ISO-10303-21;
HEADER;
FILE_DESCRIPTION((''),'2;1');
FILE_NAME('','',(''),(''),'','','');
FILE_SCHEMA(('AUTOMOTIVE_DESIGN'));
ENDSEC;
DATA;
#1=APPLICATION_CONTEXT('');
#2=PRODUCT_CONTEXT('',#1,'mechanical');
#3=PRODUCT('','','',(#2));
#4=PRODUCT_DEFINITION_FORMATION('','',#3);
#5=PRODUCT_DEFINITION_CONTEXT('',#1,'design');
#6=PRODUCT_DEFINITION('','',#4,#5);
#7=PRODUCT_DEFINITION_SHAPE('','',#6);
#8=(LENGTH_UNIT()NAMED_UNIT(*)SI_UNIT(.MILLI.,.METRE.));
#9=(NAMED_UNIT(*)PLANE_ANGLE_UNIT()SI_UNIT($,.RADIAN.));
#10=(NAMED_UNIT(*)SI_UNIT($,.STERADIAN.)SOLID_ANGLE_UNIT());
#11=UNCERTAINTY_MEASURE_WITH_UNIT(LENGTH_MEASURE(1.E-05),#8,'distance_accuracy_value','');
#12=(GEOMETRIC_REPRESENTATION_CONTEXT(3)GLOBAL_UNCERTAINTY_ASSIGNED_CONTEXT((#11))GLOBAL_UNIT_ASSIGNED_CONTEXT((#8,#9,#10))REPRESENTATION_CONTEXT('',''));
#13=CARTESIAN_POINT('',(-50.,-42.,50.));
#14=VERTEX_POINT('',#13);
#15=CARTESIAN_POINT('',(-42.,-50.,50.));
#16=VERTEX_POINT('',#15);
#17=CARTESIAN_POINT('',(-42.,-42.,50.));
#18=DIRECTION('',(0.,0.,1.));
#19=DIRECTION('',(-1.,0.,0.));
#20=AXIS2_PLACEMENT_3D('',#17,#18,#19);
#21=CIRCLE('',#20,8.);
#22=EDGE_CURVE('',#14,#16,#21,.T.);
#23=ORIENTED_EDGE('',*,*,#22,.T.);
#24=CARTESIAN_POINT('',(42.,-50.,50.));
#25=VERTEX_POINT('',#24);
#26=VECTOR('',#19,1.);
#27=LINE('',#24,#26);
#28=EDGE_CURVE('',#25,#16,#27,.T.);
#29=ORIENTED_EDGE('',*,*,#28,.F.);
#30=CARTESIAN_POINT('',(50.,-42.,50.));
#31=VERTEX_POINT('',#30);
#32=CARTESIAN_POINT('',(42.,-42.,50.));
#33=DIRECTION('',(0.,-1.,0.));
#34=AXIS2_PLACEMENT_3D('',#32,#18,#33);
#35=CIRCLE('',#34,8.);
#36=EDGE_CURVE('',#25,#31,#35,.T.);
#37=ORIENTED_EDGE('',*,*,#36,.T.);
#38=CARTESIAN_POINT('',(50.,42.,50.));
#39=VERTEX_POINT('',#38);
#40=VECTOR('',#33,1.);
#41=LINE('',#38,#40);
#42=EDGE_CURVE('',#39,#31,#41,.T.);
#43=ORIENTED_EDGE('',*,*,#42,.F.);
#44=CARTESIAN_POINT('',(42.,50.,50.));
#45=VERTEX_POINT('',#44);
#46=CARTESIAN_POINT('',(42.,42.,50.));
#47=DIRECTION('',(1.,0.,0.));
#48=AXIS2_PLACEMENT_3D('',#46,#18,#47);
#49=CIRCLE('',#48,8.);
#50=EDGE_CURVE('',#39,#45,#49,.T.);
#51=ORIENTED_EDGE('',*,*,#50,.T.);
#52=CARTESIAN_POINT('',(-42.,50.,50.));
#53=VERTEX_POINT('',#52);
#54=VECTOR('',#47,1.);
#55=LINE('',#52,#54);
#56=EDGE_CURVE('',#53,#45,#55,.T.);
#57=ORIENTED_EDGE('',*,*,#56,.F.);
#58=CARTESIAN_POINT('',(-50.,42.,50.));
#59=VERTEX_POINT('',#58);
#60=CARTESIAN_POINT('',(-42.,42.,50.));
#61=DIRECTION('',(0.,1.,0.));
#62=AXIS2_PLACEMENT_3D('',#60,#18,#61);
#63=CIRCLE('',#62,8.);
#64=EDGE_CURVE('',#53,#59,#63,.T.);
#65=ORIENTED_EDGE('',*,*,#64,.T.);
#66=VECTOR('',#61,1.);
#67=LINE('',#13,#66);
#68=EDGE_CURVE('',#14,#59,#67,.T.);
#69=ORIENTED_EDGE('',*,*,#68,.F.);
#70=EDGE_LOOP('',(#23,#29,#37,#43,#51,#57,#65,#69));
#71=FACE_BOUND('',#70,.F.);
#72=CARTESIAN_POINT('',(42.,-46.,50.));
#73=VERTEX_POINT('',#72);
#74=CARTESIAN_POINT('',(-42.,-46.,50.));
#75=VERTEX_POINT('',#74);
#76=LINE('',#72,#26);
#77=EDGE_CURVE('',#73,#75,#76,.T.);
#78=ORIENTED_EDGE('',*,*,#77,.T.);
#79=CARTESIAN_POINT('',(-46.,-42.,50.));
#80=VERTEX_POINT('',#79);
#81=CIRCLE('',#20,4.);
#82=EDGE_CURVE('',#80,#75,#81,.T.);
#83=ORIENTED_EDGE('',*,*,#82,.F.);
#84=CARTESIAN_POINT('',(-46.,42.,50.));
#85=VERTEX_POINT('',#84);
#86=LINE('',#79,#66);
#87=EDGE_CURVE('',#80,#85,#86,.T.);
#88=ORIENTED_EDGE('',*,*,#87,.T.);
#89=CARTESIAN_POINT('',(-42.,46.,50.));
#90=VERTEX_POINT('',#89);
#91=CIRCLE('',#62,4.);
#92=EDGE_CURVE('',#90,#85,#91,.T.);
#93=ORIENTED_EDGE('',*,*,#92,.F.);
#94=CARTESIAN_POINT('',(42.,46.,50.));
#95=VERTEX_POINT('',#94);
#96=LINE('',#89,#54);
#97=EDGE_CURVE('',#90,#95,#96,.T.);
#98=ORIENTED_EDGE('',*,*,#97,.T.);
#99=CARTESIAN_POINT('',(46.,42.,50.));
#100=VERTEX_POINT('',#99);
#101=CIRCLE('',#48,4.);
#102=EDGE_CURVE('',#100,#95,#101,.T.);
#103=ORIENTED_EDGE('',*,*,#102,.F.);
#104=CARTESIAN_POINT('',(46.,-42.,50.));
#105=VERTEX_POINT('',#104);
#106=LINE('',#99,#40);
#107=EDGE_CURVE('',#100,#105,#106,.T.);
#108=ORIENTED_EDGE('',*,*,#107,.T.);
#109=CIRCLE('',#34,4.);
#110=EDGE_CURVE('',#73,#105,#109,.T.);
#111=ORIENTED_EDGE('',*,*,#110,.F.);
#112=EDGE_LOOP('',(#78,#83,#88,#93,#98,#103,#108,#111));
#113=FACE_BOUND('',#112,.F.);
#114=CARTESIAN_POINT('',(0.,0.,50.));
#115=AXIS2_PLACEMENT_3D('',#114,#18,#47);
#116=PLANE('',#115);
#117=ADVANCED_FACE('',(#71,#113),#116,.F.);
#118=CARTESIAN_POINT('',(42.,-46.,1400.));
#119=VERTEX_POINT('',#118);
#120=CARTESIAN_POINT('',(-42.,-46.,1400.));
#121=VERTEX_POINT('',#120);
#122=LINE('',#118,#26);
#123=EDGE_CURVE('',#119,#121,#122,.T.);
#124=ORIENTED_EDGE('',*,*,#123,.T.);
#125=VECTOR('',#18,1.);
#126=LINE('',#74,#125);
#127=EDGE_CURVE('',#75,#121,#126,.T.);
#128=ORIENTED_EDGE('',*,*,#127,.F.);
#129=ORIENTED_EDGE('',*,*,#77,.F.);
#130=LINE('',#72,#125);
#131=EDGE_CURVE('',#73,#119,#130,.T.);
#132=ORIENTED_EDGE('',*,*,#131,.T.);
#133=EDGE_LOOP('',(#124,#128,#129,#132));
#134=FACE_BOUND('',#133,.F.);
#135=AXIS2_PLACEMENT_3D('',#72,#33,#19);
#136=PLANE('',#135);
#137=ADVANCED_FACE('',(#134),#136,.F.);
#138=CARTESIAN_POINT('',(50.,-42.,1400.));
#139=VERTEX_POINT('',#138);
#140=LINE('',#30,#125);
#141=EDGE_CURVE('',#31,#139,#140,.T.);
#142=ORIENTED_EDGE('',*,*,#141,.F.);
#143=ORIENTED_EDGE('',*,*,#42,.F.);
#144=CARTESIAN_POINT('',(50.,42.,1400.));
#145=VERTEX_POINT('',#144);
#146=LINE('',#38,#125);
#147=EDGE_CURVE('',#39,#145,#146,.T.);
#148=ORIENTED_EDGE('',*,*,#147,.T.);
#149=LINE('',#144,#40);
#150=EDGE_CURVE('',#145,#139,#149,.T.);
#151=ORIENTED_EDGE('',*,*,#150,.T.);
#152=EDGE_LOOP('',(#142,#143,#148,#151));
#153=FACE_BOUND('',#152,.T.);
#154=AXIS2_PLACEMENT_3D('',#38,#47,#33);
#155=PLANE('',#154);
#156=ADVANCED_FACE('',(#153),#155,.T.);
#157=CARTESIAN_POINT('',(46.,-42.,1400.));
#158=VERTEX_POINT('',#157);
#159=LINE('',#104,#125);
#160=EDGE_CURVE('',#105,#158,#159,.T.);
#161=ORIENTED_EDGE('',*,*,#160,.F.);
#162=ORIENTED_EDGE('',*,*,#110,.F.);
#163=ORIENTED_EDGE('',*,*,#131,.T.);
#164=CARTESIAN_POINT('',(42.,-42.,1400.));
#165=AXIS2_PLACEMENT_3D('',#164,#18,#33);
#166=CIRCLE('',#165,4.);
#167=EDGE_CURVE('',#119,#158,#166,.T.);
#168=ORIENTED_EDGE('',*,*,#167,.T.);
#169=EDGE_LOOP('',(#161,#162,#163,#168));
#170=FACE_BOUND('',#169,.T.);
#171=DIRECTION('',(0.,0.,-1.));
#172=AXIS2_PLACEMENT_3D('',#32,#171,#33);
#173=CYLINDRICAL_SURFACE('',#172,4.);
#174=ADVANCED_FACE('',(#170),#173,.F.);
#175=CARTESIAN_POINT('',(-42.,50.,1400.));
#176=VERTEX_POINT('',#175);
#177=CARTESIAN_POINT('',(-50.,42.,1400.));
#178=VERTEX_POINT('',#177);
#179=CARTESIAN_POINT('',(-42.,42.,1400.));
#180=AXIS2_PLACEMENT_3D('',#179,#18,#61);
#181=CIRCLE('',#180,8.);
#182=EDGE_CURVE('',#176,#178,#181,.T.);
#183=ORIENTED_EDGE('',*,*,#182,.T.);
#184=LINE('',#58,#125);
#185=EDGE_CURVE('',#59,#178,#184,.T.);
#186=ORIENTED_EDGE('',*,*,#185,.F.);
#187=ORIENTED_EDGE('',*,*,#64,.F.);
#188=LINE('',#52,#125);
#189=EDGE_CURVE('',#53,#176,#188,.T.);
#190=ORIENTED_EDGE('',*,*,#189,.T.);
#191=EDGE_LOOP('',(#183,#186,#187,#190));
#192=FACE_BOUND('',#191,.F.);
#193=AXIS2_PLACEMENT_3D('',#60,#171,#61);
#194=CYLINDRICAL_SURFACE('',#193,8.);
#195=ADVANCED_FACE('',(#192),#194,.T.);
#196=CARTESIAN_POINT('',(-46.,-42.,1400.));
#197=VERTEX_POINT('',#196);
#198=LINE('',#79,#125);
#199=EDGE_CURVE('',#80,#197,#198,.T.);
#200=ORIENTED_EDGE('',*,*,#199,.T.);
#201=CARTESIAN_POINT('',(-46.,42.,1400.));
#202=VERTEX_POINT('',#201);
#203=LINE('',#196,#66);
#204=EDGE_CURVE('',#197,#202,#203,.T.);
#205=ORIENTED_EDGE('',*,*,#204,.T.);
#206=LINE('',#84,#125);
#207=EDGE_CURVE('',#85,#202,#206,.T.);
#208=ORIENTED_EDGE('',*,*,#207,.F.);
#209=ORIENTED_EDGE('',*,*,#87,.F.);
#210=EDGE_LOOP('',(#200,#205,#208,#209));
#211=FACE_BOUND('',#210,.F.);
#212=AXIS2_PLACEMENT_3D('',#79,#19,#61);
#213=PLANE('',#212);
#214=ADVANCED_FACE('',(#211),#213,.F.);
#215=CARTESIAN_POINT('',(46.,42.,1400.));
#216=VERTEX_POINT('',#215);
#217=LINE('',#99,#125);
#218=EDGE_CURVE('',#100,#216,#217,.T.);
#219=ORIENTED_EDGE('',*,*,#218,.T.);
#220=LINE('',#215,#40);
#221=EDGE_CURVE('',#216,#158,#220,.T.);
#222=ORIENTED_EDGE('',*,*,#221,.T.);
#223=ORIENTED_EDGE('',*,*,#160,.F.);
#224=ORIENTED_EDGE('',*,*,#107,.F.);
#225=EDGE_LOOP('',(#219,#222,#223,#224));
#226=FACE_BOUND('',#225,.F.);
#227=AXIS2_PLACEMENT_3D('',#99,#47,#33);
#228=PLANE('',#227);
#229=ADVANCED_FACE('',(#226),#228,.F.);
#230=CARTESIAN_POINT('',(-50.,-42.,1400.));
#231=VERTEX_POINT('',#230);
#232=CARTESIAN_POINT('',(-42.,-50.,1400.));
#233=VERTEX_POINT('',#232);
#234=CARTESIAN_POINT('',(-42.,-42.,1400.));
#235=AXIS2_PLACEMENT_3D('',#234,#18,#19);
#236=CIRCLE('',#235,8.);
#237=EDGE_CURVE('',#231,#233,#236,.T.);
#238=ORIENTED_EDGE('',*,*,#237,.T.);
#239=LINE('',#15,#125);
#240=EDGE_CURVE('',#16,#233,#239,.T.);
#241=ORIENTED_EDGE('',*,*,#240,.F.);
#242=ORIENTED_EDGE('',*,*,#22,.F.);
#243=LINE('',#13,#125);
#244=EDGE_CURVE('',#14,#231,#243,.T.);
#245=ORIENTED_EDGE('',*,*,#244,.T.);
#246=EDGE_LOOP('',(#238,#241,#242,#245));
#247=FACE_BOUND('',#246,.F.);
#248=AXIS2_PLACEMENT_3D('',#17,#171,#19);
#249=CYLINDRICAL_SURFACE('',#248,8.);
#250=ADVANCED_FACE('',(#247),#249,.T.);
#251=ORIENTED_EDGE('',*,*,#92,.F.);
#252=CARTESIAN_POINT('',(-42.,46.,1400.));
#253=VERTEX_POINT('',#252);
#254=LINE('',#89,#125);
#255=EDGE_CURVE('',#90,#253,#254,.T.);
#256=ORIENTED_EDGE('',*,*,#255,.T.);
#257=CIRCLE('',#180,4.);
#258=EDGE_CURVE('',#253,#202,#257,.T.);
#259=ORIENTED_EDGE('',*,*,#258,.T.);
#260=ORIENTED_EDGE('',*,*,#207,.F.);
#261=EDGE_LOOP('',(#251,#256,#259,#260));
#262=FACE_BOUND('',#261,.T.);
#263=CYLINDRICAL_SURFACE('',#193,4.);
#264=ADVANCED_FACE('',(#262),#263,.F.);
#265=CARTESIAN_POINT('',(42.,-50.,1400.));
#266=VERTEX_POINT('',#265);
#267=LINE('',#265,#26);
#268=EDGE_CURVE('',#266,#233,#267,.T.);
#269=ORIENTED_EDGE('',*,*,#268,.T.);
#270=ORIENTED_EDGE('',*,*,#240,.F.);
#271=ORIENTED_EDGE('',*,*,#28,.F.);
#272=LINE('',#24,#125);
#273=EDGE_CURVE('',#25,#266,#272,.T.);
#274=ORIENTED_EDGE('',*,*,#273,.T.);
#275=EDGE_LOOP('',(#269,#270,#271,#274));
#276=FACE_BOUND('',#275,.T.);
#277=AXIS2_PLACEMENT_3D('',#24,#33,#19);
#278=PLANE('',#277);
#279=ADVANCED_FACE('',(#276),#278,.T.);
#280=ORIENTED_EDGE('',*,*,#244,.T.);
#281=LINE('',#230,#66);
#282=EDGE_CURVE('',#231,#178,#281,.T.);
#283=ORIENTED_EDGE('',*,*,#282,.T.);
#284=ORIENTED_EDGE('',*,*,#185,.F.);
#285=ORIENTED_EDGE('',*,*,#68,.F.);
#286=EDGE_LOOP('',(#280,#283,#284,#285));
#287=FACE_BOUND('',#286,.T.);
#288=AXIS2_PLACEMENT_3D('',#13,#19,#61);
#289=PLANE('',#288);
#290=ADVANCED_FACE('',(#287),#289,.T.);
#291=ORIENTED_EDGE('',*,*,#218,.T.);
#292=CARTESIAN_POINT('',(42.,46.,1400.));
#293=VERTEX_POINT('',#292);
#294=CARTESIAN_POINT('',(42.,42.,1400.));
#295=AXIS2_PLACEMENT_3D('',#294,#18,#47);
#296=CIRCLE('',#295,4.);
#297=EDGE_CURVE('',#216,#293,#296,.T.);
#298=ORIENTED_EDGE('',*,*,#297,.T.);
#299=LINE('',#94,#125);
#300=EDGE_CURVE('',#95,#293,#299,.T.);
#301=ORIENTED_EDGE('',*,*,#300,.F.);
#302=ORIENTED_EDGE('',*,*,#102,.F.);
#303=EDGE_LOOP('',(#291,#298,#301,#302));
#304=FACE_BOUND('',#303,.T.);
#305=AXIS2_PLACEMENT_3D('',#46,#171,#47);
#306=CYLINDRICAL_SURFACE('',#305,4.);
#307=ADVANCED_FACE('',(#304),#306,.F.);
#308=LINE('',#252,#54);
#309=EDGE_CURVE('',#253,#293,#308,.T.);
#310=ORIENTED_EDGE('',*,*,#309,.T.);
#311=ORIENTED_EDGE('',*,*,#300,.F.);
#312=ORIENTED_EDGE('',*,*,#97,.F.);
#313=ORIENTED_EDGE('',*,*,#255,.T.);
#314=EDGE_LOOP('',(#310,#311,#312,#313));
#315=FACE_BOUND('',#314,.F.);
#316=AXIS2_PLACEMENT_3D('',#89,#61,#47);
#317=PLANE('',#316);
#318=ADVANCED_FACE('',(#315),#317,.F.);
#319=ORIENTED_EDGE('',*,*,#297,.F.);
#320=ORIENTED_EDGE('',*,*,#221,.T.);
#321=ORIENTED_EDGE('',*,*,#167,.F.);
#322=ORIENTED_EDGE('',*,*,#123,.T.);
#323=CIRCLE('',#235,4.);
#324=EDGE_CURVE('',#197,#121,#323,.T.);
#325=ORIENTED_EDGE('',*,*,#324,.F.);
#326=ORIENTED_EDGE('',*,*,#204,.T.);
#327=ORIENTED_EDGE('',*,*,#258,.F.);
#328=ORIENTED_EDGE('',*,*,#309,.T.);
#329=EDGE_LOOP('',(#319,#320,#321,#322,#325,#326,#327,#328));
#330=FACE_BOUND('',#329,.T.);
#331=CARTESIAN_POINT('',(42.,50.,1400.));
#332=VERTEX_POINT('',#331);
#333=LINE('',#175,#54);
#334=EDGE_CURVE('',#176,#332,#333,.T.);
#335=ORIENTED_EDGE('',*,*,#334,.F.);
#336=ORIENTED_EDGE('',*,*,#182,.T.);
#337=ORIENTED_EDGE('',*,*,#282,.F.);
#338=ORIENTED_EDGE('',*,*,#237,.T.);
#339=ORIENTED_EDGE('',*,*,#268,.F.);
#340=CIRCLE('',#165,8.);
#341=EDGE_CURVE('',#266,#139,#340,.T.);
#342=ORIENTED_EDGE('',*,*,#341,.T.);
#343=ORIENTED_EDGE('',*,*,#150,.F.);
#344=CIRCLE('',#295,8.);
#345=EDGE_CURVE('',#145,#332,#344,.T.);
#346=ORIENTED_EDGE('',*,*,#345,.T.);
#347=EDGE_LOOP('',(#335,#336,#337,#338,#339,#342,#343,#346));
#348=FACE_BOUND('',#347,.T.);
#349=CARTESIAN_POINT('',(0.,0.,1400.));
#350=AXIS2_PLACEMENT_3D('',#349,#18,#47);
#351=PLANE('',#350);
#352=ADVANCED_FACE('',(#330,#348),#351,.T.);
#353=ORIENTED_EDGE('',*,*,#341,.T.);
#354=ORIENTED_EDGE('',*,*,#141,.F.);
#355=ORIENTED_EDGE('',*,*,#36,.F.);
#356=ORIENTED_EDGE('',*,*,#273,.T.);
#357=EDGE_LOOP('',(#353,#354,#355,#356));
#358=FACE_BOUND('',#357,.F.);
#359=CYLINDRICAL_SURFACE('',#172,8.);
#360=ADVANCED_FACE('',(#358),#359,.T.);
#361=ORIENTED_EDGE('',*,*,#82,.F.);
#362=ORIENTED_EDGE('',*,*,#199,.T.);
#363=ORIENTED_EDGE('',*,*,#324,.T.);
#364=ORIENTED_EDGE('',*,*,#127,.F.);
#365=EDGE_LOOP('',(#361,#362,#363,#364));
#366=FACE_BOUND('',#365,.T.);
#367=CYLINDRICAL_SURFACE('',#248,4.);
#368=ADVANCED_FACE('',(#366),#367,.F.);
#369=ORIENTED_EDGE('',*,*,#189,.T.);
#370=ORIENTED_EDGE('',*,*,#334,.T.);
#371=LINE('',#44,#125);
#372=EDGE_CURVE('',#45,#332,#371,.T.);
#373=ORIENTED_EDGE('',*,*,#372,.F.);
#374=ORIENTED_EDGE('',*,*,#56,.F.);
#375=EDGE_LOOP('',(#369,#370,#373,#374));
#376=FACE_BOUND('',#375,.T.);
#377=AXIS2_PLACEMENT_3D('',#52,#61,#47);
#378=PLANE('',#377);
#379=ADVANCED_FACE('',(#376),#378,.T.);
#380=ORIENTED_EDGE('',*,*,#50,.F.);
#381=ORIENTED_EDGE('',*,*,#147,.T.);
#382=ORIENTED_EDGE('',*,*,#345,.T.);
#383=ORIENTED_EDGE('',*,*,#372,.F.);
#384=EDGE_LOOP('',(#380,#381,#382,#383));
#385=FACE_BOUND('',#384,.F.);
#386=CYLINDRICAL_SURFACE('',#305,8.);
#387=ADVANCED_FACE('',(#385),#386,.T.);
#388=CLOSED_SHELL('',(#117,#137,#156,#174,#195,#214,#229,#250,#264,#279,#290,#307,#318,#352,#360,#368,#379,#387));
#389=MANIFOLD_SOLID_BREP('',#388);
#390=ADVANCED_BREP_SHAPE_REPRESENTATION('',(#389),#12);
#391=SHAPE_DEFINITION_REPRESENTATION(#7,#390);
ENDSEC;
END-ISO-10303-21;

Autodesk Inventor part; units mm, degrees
ref_plane "YZ Plane" through (0, 0, 0) normal (1, 0, 0) x (0, 1, 0)
ref_plane "Start Plane" through (0, 0, 50) normal (0, 0, 1) x (1, 0, 0)
ref_plane "End Plane" through (0, 0, 1400) normal (0, 0, 1) x (1, 0, 0)
sketch "Sketch" plane through (0, 0, 0) normal (0, 0, 1) x (1, 0, 0)
  line L0 (-50, -42) -> (-50, 42)
  line L1 (-42, 50) -> (42, 50)
  line L2 (50, 42) -> (50, -42)
  line L3 (42, -50) -> (-42, -50)
  arc A0 (-50, -42) -> (-42, -50) centre (-42, -42) ccw
  arc A1 (50, 42) -> (42, 50) centre (42, 42) ccw
  arc A2 (-42, 50) -> (-50, 42) centre (-42, 42) ccw
  arc A3 (42, -50) -> (50, -42) centre (42, -42) ccw
  arc A4 (-42, 46) -> (-46, 42) centre (-42, 42) ccw
  line L4 (-42, 46) -> (42, 46)
  arc A5 (46, 42) -> (42, 46) centre (42, 42) ccw
  line L5 (46, 42) -> (46, -42)
  arc A6 (42, -46) -> (46, -42) centre (42, -42) ccw
  line L6 (42, -46) -> (-42, -46)
  arc A7 (-46, -42) -> (-42, -46) centre (-42, -42) ccw
  line L7 (-46, -42) -> (-46, 42)
  line L8 (0, 72.3196) -> (0, -72.3196) construction
  line L9 (-72.3196, 0) -> (72.3196, 0) construction
  dimension "d7" = 8
  dimension "d9" = 100
  dimension "d11" = 100
  dimension "d12" = 4
  dimension "d15" = 50
  dimension "d16" = 50
extrude "Body" add sketch "Sketch" along normal up to surface (1350 mm away) from surface at 50
sketch "Sketch3" plane through (0, 0, 0) normal (0, 0, 1) x (1, 0, 0)
  line L0 (0, 0) -> (10, 0)
ref_plane "Work Plane3" through (0, 0, 0) normal (0, -1, 0) x (1, 0, 0)
sketch "Sketch4" plane through (0, 0, 0) normal (0, -1, 0) x (1, 0, 0)
  line L0 (-2, 50) -> (12, 50) projected
  line L1 (-2, 1400) -> (12, 1400) projected
  dimension "d18" = 1350
equation "\"d7\" = G_IR"
equation "\"d9\" = G_W"
equation "\"d11\" = G_H"
equation "\"d12\" = G_T"
equation "\"d15\" = 0.5 * d9"
equation "\"d16\" = 0.5 * d11"
equation "\"d3\" = G_L"
equation "\"G_W\" = 100"
equation "\"G_H\" = 100"
equation "\"G_T\" = 4"
equation "\"G_IR\" = 8"
equation "\"G_L\" = d18"
properties part number "ISO 10799-2 - 100x100x4 - 1350" material "Steel, Mild"
